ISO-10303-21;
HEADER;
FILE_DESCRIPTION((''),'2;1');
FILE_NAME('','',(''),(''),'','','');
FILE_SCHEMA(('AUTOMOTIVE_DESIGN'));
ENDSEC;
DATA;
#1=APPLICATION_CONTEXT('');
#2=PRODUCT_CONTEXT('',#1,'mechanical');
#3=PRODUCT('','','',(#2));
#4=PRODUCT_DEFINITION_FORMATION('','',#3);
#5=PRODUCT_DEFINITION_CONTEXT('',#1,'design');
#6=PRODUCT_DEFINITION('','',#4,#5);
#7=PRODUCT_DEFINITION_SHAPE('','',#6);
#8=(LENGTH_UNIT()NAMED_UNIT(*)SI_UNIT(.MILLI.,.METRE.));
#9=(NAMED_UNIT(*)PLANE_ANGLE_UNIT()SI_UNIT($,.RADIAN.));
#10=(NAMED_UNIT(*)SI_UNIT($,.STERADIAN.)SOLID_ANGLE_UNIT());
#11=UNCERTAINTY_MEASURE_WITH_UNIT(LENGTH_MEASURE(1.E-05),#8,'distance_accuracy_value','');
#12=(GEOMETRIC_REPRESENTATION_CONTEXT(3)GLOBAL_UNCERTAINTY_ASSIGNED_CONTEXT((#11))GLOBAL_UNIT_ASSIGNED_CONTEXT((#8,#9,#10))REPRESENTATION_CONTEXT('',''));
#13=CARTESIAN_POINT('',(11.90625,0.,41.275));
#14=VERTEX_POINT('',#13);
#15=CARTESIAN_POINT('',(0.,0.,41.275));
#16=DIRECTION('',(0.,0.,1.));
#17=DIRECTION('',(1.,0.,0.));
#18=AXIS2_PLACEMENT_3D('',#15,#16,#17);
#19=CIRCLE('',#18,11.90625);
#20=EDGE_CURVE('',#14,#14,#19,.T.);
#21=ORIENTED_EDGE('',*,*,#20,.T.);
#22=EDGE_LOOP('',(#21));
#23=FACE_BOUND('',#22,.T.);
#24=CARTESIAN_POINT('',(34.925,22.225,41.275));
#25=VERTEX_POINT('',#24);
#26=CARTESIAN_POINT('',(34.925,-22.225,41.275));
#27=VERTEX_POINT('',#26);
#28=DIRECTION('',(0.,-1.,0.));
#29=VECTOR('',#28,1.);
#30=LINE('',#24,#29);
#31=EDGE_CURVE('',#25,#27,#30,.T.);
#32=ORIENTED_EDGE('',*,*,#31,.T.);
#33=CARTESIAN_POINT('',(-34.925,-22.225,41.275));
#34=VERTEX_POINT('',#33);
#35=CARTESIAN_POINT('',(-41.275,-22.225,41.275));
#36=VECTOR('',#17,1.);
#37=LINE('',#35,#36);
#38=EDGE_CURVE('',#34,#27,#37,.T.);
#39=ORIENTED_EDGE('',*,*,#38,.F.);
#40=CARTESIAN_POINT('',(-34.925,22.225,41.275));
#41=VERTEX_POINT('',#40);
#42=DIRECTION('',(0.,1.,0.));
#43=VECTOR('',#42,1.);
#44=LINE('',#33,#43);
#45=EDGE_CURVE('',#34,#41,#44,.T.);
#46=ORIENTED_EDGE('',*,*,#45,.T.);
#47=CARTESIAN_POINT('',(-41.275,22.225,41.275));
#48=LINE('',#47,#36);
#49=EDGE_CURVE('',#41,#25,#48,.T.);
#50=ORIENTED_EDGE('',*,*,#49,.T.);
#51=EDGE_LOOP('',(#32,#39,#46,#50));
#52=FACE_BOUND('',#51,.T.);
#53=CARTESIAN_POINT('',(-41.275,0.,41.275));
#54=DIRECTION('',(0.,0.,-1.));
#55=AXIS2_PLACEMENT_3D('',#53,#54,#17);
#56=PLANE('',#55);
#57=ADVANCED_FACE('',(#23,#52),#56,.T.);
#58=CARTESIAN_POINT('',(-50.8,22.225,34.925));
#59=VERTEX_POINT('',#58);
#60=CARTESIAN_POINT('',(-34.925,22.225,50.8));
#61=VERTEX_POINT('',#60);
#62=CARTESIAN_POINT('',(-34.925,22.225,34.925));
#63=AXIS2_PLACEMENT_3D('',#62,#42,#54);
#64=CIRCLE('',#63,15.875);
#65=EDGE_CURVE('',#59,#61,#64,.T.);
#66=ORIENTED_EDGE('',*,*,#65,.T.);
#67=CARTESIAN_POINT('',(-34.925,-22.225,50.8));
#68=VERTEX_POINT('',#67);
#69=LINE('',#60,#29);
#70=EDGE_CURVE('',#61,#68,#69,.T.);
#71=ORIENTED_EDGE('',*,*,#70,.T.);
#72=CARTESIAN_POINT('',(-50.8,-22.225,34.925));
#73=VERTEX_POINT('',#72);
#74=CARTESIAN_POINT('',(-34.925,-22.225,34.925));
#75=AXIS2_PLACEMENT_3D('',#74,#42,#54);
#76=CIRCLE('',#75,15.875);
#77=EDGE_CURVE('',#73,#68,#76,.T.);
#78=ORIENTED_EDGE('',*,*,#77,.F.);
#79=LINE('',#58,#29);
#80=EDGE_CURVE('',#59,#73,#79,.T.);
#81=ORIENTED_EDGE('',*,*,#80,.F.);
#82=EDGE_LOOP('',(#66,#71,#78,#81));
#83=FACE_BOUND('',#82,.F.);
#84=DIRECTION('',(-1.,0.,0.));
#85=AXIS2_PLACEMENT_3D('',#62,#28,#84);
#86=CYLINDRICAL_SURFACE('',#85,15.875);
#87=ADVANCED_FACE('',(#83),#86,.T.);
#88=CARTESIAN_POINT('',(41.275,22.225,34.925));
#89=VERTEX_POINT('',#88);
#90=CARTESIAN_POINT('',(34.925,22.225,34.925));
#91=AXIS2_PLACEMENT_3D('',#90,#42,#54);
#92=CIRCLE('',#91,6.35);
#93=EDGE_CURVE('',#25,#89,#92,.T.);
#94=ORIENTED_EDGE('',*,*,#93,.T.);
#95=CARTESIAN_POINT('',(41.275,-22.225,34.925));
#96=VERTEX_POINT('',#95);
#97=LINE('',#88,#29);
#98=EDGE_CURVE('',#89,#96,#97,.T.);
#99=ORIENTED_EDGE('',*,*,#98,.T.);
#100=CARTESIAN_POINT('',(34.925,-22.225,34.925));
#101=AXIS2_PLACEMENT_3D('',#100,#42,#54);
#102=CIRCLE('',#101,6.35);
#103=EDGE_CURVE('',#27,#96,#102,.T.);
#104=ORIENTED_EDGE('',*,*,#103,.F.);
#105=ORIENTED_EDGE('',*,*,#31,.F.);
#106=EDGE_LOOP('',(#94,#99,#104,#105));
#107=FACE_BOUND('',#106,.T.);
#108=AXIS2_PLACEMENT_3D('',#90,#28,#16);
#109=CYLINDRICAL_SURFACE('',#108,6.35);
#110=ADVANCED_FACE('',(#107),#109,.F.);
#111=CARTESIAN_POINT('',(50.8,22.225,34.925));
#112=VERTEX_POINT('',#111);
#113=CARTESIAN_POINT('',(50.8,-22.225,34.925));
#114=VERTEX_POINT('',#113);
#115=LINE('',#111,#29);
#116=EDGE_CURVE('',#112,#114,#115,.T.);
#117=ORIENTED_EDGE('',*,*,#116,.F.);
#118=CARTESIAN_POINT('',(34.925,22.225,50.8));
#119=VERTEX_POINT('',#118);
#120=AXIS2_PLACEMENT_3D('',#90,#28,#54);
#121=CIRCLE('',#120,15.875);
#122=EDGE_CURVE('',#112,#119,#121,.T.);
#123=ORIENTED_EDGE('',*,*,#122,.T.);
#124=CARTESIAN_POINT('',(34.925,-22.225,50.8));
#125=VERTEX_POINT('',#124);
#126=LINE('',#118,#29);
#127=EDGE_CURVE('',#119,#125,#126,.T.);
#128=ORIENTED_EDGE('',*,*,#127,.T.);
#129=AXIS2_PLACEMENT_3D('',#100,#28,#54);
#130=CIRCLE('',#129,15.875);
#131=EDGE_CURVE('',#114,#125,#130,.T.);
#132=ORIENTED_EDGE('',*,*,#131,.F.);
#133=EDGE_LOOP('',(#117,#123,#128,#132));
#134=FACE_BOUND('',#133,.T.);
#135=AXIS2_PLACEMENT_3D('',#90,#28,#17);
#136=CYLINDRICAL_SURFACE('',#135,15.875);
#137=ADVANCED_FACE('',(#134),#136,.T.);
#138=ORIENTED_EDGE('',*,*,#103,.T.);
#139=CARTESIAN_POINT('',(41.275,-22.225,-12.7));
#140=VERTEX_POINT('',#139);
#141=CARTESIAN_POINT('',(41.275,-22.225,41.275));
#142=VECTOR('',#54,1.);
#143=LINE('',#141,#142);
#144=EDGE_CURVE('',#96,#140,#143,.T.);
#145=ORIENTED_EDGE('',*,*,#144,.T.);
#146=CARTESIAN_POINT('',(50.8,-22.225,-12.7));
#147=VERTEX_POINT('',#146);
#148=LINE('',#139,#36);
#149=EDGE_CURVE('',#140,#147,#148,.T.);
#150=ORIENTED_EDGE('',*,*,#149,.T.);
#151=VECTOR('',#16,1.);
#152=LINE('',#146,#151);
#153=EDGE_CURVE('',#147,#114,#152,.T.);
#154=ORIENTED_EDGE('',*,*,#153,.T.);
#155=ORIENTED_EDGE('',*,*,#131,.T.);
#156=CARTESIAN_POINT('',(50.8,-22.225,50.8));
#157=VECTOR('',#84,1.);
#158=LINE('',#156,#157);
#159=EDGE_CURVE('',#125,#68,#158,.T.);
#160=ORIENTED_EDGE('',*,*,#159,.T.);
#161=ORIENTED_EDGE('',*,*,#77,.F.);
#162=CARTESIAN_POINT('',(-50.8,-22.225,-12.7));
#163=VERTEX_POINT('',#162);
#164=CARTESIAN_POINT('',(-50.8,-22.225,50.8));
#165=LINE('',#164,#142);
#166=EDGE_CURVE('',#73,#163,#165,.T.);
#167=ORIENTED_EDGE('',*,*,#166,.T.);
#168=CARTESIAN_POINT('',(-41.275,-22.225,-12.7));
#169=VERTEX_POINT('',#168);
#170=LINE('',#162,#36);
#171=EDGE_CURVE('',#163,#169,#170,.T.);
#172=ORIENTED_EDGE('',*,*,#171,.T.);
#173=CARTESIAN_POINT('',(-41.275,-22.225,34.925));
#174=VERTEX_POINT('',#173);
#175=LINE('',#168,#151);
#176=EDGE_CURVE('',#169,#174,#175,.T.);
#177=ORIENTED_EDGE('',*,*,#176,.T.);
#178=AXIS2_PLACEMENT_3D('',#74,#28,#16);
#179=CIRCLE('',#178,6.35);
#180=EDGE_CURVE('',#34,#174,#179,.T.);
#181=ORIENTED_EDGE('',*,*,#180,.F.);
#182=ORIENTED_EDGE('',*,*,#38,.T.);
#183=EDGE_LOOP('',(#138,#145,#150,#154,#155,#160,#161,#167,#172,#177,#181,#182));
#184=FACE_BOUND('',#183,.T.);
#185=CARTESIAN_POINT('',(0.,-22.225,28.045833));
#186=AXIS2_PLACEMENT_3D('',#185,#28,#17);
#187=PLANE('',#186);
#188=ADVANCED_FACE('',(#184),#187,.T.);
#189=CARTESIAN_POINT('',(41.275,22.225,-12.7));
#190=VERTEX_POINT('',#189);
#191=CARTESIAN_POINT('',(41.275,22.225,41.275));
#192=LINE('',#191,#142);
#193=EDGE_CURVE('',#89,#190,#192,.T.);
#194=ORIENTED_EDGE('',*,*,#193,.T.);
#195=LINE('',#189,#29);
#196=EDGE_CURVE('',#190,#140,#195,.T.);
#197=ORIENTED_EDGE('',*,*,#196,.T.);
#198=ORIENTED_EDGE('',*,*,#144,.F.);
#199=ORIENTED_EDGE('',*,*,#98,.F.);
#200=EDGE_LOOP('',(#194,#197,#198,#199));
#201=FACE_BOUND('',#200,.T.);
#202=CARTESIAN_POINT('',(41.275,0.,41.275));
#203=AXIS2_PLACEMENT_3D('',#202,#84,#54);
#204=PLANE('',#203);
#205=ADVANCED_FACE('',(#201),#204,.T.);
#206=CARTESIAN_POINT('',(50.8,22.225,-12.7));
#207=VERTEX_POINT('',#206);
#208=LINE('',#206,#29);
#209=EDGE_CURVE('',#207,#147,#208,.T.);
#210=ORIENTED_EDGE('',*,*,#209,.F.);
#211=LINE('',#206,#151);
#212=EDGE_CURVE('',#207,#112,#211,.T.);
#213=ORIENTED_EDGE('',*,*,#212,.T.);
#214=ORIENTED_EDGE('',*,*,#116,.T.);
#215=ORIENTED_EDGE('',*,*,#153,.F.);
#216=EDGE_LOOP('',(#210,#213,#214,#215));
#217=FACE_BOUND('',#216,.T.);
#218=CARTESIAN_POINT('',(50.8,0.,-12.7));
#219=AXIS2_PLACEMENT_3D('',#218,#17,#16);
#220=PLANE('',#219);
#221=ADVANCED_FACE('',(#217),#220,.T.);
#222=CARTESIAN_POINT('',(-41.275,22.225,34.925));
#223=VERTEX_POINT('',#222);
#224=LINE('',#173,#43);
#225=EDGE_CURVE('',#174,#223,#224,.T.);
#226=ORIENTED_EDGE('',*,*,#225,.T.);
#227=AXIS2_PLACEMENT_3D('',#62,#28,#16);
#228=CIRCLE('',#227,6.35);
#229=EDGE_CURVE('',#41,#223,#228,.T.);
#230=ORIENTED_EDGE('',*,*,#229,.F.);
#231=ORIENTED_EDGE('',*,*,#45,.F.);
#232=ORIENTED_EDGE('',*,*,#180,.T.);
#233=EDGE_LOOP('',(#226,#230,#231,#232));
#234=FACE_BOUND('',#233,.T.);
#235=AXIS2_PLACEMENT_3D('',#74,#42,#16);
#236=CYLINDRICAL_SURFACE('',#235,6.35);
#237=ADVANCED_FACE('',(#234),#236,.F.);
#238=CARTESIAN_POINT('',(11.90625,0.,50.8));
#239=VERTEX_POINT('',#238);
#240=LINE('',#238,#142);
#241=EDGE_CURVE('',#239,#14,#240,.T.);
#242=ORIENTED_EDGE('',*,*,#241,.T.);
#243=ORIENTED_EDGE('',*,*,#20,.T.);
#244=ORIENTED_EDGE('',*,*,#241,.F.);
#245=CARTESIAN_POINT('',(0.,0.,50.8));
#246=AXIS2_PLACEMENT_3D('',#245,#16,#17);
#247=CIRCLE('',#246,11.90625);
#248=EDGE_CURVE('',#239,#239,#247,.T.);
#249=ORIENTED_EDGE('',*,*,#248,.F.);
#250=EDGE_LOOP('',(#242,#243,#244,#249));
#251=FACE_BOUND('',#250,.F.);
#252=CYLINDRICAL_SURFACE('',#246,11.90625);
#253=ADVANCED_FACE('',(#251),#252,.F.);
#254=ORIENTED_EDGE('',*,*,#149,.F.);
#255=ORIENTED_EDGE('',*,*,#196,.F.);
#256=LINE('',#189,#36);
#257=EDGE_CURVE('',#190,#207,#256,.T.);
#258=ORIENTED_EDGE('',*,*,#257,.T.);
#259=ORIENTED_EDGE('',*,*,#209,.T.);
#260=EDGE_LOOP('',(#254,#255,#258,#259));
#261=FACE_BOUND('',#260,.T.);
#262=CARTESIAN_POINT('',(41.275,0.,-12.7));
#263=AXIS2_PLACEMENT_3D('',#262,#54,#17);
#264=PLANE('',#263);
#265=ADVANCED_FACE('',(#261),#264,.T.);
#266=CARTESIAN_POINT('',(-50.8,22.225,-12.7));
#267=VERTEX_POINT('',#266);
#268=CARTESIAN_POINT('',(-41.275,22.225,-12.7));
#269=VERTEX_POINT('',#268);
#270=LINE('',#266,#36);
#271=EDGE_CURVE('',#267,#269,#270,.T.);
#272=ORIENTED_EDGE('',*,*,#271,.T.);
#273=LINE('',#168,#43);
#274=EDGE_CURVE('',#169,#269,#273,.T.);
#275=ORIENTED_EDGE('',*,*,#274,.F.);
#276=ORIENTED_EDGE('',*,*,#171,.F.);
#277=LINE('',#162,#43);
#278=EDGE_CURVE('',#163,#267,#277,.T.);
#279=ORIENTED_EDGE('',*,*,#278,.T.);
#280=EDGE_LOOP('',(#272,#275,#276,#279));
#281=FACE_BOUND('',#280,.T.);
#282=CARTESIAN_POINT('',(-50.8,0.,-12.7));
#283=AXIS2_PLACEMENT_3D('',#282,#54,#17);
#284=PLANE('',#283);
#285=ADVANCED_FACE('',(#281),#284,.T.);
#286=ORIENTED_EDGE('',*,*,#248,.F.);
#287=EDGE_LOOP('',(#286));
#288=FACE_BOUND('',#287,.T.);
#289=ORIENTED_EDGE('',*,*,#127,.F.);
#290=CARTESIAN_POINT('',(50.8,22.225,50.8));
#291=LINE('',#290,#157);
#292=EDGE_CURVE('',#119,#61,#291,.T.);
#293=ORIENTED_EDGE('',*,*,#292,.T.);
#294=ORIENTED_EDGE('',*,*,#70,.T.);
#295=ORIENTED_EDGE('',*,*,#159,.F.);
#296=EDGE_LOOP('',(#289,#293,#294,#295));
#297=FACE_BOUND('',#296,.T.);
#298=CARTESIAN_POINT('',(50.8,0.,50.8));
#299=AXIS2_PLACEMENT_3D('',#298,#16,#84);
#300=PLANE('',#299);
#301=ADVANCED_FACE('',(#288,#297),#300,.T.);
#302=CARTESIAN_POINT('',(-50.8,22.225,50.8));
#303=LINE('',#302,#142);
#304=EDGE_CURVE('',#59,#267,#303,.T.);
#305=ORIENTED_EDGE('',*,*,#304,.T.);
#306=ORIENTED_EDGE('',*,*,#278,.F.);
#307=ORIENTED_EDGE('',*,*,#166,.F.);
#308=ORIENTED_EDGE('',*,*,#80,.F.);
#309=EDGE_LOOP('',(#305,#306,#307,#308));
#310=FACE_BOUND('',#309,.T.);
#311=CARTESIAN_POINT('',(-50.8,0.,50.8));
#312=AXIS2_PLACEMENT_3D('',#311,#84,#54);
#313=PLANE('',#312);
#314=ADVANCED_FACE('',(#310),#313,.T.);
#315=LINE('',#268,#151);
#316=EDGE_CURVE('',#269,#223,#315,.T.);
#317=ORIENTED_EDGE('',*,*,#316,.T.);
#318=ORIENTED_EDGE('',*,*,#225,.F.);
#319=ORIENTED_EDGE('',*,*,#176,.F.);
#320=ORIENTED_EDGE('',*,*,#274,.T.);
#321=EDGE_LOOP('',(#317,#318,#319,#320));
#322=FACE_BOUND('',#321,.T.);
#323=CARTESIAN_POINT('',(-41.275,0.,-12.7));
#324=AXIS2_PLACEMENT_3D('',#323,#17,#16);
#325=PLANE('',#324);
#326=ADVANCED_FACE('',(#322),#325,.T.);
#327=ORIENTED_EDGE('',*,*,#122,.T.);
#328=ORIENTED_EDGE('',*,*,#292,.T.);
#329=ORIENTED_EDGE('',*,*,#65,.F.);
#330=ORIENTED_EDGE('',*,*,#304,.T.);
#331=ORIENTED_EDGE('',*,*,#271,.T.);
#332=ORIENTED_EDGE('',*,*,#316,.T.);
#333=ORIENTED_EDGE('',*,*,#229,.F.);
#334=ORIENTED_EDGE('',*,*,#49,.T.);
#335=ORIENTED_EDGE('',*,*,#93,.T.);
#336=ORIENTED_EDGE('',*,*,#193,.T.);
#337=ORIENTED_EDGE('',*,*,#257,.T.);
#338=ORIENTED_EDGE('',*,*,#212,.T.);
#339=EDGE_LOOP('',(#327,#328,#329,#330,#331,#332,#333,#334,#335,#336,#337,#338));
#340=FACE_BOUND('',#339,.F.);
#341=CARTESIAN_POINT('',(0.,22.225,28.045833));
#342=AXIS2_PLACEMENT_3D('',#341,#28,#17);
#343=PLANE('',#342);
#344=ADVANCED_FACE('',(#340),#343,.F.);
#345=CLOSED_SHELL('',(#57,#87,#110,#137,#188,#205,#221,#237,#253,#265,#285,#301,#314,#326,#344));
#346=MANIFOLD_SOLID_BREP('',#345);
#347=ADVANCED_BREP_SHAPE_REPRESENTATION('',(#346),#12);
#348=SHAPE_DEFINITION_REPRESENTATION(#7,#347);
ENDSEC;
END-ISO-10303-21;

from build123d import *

# Parameters (mm, degrees)
F1_DEPTH = 22.225
F2_R     = 6.35
F3_R     = 15.875
F4_R     = 11.90625
F5_DEPTH = 25.4


with BuildPart() as f1:
    # F0 (on Front) → F1 (new body, symmetric)
    with BuildSketch(Plane.XZ):
        Polygon((-41.275, 41.275), (41.275, 41.275), (41.275, -12.7), (50.8, -12.7), (50.8, 50.8), (41.275, 50.8), (-41.275, 50.8), (-50.8, 50.8), (-50.8, -12.7), (-41.275, -12.7), align=None)
    extrude(amount=F1_DEPTH, both=True)

    # F2
    f2_edges = [f1.edges().sort_by_distance(p)[0] for p in [
        (-41.275, 0, 41.275),
        (41.275, 0, 41.275),
    ]]
    fillet(f2_edges, radius=F2_R)

    # F3
    f3_edges = [f1.edges().sort_by_distance(p)[0] for p in [
        (50.8, 0, 50.8),
        (-50.8, 0, 50.8),
    ]]
    fillet(f3_edges, radius=F3_R)

    # F4 (on face) → F5 (cut)
    with BuildSketch(Plane.XY.offset(50.8)):
        Circle(F4_R)
    extrude(amount=-F5_DEPTH, mode=Mode.SUBTRACT)


solid = f1.part
